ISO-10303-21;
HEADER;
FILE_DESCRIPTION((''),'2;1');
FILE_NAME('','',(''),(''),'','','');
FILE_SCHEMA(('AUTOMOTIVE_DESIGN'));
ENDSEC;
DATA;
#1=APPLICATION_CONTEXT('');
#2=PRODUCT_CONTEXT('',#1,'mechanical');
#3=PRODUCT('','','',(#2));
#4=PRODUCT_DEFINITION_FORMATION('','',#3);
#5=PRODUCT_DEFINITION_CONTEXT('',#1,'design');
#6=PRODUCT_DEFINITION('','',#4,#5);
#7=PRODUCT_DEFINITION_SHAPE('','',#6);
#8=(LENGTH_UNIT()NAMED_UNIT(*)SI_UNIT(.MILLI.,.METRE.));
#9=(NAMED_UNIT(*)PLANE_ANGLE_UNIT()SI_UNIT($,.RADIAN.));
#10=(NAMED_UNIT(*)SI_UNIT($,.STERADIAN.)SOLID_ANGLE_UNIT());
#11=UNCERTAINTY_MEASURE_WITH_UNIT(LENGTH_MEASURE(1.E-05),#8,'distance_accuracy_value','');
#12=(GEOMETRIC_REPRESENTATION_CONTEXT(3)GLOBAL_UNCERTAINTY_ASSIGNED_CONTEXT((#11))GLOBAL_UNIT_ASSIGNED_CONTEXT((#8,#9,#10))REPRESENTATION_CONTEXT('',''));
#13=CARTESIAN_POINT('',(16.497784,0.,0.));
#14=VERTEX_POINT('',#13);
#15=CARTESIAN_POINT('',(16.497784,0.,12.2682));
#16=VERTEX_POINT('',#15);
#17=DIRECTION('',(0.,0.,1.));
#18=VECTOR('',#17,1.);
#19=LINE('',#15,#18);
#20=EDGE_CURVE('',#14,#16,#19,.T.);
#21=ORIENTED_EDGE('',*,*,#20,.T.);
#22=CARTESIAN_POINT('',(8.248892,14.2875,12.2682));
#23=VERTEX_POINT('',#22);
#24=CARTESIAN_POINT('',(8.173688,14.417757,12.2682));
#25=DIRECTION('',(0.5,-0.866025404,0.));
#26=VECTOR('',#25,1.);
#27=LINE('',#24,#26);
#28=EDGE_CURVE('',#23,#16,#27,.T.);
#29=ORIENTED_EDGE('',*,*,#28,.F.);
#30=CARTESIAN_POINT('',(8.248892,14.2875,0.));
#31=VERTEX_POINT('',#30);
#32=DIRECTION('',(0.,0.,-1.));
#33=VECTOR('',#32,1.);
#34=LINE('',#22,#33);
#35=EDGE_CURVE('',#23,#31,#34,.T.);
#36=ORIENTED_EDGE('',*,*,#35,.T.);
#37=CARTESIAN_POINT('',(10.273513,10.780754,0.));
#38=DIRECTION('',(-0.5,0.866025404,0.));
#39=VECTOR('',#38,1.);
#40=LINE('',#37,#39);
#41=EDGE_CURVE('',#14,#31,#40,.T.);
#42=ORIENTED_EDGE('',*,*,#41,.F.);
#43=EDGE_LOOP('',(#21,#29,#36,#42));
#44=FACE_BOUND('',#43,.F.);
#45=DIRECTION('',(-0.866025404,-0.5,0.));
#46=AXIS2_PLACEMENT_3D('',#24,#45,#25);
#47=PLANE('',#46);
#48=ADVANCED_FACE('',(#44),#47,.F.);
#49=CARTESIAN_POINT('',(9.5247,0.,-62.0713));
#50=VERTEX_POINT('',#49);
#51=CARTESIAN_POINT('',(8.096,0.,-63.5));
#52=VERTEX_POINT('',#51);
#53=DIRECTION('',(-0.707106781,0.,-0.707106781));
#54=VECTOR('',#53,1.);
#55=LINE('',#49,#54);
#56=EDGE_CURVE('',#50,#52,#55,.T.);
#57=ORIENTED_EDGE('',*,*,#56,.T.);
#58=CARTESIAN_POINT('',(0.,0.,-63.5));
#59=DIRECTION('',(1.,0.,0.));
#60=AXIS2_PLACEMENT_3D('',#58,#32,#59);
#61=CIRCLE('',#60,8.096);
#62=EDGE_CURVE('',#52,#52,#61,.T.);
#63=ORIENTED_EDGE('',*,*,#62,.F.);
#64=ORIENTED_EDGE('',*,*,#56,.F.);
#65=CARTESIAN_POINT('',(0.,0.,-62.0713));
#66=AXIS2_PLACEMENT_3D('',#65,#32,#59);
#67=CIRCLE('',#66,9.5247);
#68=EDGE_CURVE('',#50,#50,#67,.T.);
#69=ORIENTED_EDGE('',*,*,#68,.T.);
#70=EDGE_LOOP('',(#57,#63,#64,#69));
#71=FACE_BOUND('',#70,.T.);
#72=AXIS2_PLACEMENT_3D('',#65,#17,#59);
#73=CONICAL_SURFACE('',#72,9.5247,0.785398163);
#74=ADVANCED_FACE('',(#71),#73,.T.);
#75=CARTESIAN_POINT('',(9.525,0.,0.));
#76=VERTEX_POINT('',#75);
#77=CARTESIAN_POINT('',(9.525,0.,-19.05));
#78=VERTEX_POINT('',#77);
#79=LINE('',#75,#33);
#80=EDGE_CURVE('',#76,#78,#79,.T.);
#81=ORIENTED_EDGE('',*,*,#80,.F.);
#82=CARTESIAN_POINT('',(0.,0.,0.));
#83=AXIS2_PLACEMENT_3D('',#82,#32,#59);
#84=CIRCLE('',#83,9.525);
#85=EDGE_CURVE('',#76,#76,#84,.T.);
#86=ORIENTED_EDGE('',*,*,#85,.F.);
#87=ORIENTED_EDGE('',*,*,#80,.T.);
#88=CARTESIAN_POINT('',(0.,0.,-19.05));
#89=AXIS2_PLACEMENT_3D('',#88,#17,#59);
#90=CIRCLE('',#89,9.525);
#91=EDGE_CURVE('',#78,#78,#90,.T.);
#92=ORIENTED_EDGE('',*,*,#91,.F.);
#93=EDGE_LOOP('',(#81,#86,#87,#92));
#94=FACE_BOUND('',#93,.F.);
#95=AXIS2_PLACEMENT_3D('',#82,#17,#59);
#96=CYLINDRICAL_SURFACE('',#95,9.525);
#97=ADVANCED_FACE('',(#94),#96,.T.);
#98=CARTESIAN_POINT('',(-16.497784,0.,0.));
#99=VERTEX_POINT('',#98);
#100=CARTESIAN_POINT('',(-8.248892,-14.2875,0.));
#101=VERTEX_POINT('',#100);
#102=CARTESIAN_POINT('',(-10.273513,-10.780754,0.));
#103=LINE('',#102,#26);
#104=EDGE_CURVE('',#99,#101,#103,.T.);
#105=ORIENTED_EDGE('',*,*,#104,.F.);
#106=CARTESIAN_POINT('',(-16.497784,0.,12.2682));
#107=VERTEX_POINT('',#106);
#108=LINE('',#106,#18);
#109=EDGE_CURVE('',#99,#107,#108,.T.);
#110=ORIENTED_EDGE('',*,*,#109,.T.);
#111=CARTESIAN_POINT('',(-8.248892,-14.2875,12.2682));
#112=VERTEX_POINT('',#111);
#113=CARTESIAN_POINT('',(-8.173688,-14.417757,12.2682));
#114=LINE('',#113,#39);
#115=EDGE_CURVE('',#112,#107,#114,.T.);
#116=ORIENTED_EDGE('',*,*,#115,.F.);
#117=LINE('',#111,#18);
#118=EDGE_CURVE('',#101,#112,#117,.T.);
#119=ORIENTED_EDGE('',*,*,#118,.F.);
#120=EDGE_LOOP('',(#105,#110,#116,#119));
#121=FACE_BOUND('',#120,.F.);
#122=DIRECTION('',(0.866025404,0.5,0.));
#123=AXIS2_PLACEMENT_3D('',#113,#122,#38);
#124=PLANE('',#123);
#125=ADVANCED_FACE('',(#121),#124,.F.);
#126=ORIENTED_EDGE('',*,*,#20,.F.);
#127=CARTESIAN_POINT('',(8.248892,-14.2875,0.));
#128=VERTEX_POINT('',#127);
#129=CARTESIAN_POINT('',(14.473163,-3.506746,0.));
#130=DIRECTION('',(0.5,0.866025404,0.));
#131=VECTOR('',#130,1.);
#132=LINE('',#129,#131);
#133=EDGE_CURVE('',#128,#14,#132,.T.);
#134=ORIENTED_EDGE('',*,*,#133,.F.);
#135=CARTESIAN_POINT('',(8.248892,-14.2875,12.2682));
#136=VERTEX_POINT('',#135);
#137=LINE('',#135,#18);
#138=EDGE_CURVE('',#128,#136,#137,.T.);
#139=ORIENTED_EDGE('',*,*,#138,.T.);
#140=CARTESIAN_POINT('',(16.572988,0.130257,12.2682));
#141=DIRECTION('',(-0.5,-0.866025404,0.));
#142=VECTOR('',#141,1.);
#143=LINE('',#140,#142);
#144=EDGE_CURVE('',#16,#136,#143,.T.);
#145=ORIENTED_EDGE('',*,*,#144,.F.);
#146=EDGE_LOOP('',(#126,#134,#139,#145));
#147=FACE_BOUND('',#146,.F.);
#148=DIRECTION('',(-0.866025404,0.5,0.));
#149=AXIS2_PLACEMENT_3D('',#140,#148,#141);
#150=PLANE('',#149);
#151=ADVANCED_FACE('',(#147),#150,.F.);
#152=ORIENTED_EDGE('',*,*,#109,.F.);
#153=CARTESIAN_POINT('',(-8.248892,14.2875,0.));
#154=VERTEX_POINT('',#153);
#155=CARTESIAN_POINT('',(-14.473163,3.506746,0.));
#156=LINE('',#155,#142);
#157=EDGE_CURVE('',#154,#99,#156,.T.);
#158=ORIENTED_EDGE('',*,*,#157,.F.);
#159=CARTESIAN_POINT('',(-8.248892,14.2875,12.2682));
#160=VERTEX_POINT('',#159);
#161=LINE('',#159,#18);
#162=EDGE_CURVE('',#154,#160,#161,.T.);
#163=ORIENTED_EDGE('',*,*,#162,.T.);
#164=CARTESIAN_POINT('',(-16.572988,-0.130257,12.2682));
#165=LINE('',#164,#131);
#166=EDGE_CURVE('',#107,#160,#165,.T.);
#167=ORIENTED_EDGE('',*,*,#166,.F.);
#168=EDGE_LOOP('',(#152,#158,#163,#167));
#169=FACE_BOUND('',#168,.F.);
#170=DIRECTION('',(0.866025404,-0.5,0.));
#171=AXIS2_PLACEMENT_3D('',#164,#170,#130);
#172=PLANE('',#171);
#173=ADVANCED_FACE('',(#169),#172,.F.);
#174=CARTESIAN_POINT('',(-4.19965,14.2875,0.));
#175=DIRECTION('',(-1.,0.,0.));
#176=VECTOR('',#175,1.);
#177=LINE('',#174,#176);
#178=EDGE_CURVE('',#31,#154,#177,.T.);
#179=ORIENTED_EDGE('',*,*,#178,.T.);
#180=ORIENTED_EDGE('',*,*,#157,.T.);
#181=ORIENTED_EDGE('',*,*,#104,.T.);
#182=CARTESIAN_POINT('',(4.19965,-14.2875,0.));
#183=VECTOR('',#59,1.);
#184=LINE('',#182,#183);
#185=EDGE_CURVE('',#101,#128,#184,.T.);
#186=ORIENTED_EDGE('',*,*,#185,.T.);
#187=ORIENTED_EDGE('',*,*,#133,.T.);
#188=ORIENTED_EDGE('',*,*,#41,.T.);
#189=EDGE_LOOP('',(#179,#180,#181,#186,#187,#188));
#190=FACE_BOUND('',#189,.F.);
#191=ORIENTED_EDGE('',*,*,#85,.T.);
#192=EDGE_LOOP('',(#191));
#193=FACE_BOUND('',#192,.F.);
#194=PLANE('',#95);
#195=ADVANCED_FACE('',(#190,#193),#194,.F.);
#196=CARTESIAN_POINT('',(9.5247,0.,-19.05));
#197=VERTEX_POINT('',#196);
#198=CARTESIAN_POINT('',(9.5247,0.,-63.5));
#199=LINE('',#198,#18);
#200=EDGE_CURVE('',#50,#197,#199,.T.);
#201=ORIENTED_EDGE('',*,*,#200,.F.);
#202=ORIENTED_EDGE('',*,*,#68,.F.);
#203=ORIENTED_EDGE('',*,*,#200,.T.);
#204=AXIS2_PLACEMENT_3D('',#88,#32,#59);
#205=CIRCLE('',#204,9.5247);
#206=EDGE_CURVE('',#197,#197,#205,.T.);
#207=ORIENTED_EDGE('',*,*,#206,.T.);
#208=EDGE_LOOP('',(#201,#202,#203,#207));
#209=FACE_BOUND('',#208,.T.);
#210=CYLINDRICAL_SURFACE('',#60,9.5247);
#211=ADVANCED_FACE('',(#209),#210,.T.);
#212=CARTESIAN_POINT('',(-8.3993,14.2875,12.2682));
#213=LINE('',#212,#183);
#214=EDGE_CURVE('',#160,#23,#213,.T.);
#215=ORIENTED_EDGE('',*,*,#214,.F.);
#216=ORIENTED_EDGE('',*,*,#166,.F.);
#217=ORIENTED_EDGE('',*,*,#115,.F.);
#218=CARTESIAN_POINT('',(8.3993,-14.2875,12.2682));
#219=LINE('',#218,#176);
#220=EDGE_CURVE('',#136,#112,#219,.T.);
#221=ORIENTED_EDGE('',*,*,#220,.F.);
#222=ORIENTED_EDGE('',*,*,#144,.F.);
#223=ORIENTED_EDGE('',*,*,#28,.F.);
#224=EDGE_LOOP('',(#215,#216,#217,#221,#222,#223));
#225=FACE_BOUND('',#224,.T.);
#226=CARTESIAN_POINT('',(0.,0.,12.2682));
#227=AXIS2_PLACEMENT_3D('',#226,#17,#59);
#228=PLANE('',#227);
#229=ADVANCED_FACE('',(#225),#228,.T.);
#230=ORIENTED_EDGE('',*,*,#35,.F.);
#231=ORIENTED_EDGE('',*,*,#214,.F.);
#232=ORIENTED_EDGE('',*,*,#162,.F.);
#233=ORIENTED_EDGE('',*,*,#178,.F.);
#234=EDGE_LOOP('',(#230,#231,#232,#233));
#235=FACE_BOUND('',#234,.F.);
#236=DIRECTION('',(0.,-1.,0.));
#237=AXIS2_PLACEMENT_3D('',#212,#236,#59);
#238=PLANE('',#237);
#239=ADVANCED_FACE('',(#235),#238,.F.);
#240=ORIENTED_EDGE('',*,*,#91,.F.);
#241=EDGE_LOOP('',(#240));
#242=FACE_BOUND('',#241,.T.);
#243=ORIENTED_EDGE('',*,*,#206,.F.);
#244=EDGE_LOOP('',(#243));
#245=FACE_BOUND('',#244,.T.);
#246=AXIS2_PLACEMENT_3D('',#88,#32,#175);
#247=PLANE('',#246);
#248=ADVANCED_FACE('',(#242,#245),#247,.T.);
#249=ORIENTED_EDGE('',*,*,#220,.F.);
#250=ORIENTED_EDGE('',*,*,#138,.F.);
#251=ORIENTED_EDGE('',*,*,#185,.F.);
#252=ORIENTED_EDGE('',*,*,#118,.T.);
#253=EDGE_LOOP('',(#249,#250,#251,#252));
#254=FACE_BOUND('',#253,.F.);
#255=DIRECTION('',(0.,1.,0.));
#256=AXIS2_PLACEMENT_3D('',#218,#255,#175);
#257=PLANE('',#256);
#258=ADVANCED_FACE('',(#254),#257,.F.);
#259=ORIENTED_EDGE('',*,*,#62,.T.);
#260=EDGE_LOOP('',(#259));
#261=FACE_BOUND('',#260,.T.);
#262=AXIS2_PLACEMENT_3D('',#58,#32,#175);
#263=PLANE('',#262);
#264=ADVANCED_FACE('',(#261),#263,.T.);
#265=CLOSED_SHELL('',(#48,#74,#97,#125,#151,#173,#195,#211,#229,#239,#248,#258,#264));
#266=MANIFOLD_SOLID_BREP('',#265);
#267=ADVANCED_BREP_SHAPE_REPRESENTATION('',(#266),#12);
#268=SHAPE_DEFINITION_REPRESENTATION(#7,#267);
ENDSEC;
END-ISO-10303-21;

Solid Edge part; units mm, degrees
sketch "Sketch1" plane through (0, 0, 0) normal (0, 0, 1) x (1, 0, 0)
  circle A0 centre (0, 0) radius 16.5735
  dimension "D1" = 33.147
extrude "Protrusion1" add sketch "Sketch1" along normal blind 12.2682
sketch "Sketch2" plane through (0, 0, 0) normal (0, 0, -1) x (1, 0, 0)
  circle A0 centre (0, 0) radius 9.525
extrude "Protrusion2" add sketch "Sketch2" along normal blind 63.5
sketch "Sketch3" plane through (0, 0, -63.5) normal (0, 0, -1) x (1, 0, 0)
  circle A0 centre (0, 0) radius 9.5247
extrude "Cutout1" cut sketch "Sketch3" against normal blind 44.45 flip side to cut
chamfer "Chamfer_1" distance 1.4287 angle 45 1 edges at (-9.5247, 0, -63.5)
sketch "Sketch4" plane through (0, 0, 12.2682) normal (0, 0, 1) x (1, 0, 0)
  line L0 (-8.3993, 14.2875) -> (8.3993, 14.2875)
  dimension "D1" = 28.575
extrude "Cutout2" cut sketch "Sketch4" against normal up to next material side at (0, 14.3375, 12.2682)
pattern_circular "Pattern1" count 6 over 360 about axis through (0, 0, 12.2682) along (0, 0, 1) of "Cutout2"
properties part number "136994"
